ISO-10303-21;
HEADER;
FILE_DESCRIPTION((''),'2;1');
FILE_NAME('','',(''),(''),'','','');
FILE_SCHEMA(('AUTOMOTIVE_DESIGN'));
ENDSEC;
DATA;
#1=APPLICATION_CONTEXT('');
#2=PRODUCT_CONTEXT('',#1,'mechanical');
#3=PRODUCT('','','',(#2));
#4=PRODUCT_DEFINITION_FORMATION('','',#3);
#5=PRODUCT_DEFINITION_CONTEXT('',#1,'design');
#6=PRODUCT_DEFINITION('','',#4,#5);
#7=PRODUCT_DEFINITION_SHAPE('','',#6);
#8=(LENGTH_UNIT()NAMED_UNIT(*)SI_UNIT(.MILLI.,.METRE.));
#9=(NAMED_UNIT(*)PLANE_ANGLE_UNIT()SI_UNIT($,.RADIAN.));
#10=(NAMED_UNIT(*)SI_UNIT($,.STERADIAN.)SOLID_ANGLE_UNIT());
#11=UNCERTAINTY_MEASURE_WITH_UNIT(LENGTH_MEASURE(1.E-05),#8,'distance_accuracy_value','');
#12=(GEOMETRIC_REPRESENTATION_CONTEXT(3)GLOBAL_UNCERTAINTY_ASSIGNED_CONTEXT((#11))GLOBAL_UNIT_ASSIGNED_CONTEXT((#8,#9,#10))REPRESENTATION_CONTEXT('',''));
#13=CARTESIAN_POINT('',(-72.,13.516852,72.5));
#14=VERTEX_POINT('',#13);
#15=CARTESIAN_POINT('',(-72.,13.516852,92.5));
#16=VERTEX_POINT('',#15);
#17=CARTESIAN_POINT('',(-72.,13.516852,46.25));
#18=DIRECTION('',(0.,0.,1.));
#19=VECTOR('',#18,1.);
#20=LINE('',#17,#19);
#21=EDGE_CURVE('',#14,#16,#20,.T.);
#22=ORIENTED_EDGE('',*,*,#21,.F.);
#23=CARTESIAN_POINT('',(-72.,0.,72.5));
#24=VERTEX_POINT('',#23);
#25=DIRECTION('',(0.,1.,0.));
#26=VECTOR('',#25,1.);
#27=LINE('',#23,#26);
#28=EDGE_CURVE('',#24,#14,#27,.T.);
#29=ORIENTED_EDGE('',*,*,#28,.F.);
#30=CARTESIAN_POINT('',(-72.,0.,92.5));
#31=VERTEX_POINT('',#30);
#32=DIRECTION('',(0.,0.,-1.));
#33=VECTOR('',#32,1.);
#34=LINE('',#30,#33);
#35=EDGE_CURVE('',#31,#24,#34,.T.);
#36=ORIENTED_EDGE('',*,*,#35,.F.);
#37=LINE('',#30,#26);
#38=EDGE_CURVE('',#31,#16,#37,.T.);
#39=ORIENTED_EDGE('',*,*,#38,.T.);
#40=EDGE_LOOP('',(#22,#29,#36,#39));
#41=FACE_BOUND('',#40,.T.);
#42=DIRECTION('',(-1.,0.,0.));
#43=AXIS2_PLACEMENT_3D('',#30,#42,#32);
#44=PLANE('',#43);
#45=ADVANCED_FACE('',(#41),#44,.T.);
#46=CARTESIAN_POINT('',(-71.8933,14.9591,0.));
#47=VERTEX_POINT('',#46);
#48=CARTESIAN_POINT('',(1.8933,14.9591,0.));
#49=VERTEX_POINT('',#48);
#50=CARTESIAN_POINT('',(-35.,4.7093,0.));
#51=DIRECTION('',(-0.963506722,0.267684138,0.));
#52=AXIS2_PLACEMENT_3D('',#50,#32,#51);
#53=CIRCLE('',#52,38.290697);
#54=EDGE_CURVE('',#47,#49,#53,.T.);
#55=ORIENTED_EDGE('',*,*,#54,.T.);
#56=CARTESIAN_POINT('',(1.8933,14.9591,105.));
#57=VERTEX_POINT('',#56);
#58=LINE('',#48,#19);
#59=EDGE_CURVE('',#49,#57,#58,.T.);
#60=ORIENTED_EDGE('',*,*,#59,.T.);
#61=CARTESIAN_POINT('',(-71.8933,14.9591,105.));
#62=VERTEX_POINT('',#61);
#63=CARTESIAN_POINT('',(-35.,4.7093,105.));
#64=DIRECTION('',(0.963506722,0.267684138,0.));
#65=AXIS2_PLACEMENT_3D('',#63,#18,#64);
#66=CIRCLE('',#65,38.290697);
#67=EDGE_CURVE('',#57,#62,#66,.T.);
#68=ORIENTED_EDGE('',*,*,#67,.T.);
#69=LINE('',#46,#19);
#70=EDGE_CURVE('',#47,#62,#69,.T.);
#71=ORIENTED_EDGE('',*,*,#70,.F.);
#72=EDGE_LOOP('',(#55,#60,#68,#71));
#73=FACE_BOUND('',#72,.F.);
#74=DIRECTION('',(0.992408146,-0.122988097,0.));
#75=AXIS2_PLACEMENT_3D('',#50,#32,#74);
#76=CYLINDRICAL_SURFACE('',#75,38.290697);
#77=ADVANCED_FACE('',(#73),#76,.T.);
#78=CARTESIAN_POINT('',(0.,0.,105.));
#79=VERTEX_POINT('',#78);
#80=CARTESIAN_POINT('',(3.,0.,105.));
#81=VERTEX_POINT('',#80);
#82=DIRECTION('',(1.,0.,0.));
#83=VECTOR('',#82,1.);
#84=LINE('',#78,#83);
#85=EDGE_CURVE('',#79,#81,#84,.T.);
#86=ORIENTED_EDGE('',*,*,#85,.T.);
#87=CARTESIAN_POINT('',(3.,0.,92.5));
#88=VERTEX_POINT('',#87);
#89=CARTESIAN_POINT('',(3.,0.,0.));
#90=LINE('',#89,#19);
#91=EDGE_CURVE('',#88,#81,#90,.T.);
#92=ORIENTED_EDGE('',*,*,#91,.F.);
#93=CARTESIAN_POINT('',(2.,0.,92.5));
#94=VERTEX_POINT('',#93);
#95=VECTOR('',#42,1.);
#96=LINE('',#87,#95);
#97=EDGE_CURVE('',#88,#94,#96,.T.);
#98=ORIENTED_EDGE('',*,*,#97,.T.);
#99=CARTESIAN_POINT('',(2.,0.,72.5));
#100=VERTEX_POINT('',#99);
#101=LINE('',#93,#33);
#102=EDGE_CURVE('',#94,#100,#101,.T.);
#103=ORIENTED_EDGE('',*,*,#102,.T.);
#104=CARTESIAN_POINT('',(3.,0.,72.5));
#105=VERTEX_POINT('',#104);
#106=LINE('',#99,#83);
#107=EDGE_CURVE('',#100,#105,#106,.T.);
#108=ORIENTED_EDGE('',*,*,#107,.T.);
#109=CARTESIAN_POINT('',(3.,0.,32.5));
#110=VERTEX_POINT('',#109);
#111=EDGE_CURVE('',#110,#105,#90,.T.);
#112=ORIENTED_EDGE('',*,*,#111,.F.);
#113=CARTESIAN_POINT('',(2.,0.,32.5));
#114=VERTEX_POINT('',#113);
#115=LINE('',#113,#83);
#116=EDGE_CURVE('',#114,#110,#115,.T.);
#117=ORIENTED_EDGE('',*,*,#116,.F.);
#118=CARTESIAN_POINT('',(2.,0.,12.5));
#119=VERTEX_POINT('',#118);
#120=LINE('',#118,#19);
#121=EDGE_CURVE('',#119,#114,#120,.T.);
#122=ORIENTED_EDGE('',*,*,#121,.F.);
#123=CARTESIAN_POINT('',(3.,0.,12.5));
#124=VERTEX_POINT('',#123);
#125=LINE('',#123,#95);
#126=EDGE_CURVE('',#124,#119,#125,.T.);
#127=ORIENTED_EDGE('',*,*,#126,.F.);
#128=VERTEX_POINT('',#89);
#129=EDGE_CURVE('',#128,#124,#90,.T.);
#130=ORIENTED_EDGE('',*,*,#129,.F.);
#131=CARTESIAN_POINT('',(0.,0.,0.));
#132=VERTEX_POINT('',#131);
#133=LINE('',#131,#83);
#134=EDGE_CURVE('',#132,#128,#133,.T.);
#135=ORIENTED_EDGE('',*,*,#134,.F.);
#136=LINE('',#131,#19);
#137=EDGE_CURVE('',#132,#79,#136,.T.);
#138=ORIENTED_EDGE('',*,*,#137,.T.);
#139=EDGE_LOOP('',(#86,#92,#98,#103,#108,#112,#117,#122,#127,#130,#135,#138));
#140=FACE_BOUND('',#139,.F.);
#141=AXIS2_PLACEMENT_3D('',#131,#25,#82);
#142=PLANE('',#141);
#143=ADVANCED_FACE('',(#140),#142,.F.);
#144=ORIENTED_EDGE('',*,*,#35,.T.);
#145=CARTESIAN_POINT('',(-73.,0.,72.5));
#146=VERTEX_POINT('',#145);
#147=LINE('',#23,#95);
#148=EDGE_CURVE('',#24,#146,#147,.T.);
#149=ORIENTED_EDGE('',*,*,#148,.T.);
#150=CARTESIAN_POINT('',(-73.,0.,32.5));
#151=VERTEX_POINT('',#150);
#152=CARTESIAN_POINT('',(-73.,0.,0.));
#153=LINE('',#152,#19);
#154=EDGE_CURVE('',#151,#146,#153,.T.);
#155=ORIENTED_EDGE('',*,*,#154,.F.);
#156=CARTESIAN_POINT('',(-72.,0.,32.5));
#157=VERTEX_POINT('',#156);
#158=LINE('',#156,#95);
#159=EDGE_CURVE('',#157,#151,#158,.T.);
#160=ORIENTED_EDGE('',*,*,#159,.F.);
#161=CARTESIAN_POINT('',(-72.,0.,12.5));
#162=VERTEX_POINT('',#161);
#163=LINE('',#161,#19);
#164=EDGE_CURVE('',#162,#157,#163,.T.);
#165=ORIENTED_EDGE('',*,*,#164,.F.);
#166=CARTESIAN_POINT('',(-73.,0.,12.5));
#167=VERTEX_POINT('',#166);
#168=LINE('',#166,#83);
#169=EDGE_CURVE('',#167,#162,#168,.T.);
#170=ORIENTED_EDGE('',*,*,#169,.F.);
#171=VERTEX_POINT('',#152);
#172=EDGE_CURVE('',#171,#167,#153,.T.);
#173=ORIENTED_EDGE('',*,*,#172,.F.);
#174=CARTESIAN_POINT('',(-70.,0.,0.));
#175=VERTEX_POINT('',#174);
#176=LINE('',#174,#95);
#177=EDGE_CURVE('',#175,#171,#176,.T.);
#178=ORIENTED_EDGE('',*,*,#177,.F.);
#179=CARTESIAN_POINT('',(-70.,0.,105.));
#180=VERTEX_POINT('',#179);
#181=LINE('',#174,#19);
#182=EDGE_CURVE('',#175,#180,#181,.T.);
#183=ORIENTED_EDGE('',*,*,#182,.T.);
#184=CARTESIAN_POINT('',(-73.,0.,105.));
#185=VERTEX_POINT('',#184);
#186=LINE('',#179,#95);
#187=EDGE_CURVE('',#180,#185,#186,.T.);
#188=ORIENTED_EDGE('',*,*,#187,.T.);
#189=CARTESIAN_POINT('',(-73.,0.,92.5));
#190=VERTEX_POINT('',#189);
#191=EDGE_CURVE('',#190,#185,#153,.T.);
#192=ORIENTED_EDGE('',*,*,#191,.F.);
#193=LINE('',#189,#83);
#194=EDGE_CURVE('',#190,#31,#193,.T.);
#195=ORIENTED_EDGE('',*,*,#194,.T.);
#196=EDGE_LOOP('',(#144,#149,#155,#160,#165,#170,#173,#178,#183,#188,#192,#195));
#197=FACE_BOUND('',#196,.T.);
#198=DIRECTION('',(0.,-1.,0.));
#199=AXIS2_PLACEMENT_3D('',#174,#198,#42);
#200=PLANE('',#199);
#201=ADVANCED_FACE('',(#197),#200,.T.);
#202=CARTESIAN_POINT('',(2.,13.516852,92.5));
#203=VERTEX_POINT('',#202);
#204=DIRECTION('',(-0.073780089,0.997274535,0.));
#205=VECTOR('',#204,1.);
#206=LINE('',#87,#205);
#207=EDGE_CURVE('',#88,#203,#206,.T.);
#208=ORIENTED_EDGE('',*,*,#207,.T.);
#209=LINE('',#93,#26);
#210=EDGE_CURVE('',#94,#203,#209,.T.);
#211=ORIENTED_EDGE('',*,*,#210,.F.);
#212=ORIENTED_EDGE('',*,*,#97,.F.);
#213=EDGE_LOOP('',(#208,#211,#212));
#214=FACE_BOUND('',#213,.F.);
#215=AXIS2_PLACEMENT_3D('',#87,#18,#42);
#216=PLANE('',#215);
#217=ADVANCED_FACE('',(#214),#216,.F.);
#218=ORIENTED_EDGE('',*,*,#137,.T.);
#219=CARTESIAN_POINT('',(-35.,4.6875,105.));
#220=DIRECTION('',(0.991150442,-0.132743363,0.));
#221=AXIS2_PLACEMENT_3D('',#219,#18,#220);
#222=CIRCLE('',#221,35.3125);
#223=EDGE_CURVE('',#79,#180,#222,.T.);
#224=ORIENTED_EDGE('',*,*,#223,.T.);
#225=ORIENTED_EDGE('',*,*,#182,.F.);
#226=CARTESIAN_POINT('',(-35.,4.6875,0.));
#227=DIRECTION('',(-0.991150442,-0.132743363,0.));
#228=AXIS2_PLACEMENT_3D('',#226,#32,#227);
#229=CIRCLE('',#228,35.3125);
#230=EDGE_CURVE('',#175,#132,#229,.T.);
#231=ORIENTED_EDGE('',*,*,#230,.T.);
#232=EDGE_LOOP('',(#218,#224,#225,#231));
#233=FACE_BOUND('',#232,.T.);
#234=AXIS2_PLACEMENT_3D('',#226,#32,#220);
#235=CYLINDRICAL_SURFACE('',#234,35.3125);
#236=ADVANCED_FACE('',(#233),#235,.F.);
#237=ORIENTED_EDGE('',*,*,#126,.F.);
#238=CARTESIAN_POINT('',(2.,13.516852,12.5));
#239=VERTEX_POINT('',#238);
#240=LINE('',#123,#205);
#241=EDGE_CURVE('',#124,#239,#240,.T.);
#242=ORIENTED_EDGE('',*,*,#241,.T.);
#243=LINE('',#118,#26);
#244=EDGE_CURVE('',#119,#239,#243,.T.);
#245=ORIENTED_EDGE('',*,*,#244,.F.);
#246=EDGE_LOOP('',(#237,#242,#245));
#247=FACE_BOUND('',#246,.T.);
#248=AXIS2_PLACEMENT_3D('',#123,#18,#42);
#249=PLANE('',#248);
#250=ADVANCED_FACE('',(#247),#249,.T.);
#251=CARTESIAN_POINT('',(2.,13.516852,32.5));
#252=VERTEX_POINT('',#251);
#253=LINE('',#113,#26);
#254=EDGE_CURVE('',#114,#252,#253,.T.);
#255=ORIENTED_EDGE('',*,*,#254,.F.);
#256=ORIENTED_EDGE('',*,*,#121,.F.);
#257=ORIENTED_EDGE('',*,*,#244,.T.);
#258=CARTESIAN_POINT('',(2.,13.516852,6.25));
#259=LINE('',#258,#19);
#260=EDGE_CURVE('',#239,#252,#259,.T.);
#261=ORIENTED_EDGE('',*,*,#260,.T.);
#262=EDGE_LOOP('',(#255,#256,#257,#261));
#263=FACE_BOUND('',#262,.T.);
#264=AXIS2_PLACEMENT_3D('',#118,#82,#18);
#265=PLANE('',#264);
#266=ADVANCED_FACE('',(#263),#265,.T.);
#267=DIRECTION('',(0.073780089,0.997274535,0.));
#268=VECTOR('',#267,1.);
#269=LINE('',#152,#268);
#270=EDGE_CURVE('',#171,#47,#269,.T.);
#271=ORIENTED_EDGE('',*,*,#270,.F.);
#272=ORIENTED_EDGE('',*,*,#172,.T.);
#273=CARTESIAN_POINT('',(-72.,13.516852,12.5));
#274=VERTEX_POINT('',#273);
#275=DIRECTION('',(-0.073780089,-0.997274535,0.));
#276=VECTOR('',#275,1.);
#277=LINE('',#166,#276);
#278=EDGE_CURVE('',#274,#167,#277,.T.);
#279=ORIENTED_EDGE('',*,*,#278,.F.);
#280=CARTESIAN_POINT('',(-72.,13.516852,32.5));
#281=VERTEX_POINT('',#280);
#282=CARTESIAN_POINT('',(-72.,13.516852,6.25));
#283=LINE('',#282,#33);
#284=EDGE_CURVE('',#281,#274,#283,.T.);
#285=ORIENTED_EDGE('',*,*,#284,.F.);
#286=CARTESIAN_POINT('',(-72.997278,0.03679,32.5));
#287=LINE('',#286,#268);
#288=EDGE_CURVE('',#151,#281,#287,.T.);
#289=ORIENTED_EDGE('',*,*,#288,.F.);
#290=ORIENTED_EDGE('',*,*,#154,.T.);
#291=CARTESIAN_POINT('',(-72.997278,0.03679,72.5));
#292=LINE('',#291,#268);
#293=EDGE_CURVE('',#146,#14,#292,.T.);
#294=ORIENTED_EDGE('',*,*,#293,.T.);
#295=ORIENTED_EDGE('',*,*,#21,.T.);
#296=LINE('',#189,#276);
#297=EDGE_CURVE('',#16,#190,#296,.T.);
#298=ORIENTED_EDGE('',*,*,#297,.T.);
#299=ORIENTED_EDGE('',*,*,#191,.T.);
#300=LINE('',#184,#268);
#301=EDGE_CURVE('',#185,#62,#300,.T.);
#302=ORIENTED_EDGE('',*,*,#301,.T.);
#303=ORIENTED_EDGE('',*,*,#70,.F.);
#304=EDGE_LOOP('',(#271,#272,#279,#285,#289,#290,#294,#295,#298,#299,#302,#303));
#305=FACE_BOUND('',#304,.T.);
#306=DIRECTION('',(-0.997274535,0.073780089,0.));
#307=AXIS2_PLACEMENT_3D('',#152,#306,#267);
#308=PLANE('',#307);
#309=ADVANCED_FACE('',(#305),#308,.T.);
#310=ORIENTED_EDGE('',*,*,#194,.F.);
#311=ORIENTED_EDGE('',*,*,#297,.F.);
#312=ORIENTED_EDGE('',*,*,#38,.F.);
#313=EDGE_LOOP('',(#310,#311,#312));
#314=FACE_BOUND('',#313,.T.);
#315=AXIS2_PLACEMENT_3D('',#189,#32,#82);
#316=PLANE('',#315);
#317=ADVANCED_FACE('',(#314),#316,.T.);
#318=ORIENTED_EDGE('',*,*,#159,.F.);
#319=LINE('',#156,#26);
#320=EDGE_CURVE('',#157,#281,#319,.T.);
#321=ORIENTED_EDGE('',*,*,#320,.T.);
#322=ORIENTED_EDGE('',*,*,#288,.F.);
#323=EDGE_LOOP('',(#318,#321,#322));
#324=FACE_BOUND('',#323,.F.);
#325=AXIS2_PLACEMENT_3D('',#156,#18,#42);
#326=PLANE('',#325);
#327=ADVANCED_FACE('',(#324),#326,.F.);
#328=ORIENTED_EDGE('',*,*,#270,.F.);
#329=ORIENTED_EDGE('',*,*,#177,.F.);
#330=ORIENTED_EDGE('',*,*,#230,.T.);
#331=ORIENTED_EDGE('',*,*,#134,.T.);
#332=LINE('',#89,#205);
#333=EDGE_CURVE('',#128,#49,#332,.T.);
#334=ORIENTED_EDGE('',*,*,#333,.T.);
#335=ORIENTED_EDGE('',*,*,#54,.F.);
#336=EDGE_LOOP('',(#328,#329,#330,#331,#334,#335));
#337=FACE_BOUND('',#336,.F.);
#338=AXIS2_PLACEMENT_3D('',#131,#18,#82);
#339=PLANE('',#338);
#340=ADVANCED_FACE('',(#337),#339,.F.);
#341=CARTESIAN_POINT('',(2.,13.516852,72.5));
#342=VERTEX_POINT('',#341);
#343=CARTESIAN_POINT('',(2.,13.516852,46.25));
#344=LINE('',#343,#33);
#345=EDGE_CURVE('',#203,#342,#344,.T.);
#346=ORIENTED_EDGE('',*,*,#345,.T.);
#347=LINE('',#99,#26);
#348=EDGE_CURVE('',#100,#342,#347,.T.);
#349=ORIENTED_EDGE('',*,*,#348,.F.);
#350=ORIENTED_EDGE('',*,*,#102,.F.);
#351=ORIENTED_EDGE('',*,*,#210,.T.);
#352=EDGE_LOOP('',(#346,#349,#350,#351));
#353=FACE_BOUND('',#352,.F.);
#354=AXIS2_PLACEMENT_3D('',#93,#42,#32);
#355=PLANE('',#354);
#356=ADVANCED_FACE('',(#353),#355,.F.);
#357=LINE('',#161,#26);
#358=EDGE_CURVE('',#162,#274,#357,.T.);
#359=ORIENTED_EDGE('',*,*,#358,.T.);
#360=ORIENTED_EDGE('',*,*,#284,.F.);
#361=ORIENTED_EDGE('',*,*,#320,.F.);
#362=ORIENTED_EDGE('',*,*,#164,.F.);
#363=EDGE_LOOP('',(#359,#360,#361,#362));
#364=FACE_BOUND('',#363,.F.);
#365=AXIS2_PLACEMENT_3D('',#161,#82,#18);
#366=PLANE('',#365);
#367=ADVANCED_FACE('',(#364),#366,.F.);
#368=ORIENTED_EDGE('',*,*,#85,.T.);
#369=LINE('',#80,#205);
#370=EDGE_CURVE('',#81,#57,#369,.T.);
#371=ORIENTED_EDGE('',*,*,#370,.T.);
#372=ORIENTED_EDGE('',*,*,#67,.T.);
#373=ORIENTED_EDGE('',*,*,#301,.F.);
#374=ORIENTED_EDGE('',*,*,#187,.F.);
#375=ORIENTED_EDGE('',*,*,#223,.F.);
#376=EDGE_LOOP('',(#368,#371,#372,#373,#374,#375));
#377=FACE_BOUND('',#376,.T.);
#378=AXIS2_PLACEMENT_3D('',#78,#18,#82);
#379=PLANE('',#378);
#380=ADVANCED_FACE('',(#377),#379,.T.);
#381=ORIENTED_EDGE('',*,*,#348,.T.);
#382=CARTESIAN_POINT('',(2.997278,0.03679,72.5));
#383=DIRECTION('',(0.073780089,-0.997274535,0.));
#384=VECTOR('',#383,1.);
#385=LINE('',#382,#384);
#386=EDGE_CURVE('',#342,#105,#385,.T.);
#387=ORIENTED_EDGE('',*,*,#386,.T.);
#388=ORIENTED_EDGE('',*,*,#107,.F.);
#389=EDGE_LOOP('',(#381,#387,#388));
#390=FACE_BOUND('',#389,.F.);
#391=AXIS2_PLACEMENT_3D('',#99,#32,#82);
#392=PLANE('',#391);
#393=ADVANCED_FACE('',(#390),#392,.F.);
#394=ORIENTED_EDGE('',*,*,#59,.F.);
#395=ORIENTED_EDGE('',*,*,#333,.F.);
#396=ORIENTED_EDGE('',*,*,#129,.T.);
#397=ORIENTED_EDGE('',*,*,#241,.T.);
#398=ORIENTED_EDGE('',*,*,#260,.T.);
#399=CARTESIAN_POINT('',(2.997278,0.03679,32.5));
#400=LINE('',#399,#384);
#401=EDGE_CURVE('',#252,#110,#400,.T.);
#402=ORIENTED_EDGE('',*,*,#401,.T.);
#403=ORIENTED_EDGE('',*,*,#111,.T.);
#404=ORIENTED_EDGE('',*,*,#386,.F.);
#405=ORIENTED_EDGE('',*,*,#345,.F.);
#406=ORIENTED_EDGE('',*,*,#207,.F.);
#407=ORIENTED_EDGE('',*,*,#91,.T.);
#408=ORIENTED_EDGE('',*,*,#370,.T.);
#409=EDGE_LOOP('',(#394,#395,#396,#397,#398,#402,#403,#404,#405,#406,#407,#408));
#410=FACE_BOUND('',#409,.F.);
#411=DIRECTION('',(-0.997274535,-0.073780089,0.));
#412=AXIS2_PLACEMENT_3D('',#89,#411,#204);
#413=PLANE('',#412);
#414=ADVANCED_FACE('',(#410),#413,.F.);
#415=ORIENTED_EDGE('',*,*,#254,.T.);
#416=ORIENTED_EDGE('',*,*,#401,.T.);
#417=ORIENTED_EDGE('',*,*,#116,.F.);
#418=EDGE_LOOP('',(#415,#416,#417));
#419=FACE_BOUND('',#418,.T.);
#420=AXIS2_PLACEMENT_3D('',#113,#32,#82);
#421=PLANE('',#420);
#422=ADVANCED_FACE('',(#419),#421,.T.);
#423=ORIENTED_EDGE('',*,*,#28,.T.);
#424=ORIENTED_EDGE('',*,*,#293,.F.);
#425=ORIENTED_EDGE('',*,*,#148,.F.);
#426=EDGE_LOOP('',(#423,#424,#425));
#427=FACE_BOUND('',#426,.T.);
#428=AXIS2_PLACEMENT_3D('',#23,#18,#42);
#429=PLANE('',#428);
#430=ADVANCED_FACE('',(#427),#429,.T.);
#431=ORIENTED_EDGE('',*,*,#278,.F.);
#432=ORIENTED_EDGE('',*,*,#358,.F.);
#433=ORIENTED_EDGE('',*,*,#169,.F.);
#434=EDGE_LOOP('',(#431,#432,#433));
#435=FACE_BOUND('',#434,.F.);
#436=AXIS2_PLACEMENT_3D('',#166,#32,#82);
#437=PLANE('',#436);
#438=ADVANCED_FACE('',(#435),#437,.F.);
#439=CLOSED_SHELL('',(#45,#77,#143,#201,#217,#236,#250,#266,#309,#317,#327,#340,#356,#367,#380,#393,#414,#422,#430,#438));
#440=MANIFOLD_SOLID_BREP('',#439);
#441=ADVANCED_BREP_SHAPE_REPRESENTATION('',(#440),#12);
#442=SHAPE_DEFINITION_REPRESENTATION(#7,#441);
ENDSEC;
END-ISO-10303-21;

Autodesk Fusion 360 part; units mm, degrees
sketch "Sketch1" plane through (0, 0, 0) normal (0, 0, 1) x (1, 0, 0)
  line L0 (0, 0) -> (-70, 0)
  line L1 (-35, 0) -> (-35, 40)
  arc A0 (0, 0) -> (-70, 0) centre (-35, 4.6875) ccw
  line L2 (-70, 0) -> (-73, 0)
  line L3 (0, 0) -> (3, 0)
  line L4 (-35, 40) -> (-35, 43)
  arc A1 (3, 0) -> (-73, 0) centre (-35, 4.7093) ccw
  line L5 (-73, 0) -> (-71.8933, 14.9591)
  line L6 (3, 0) -> (1.8933, 14.9591)
  dimension "d1" = 70
  dimension "d2" = 40
  dimension "d3" = 3
  dimension "d4" = 3
  dimension "d5" = 3
  dimension "d6" = 15
  dimension "d7" = 15
extrude "Extrude1" add sketch "Sketch1" along normal blind 105 contours A0 L3 L4 A1 L6 | A0 L2 L4 A1 L5
sketch "Sketch4" plane through (0, 0, 0) normal (0, -1, 0) x (1, 0, 0)
  line L0 (-73, 0) -> (-70, 0)
  line L1 (-70, 0) -> (-70, 105)
  line L2 (-70, 105) -> (-73, 105)
  line L3 (-73, 105) -> (-73, 0)
  line L4 (-73, 105) -> (3, 105)
  line L5 (3, 105) -> (3, 0)
  line L6 (3, 0) -> (-73, 0)
  line L7 (-73, 0) -> (-73, 105)
  line L8 (-73, 52.5) -> (-73, 72.5)
  line L9 (-73, 72.5) -> (-73, 92.5)
  line L10 (-73, 92.5) -> (-72, 92.5)
  line L11 (-72, 92.5) -> (-72, 72.5)
  line L12 (-72, 72.5) -> (-73, 72.5)
  line L13 (-73, 72.5) -> (-73, 92.5)
  line L14 (-73, 52.5) -> (3, 52.5) construction
  line L15 (-35, 52.5) -> (-35, 93.5456) construction
  line L16 (-73, 32.5) -> (-73, 12.5)
  line L17 (-72, 12.5) -> (-72, 32.5)
  line L18 (-73, 12.5) -> (-72, 12.5)
  line L19 (-72, 32.5) -> (-73, 32.5)
  line L20 (3, 92.5) -> (2, 92.5)
  line L21 (2, 72.5) -> (3, 72.5)
  line L22 (3, 72.5) -> (3, 92.5)
  line L23 (2, 92.5) -> (2, 72.5)
  line L24 (3, 72.5) -> (3, 92.5)
  line L25 (2, 32.5) -> (3, 32.5)
  line L26 (3, 32.5) -> (3, 12.5)
  line L27 (2, 12.5) -> (2, 32.5)
  line L28 (3, 12.5) -> (2, 12.5)
  dimension "d31" = 20
  dimension "d32" = 20
  dimension "d33" = 1
  dimension "d34" = 76
extrude "Extrude6" cut sketch "Sketch4" against normal blind 20 contours L3 L7 L16 L17 L18 L19 | L5 L25 L26 L27 L28 | L3 L7 L9 L10 L11 L12 L13 | L5 L20 L21 L22 L23 L24
